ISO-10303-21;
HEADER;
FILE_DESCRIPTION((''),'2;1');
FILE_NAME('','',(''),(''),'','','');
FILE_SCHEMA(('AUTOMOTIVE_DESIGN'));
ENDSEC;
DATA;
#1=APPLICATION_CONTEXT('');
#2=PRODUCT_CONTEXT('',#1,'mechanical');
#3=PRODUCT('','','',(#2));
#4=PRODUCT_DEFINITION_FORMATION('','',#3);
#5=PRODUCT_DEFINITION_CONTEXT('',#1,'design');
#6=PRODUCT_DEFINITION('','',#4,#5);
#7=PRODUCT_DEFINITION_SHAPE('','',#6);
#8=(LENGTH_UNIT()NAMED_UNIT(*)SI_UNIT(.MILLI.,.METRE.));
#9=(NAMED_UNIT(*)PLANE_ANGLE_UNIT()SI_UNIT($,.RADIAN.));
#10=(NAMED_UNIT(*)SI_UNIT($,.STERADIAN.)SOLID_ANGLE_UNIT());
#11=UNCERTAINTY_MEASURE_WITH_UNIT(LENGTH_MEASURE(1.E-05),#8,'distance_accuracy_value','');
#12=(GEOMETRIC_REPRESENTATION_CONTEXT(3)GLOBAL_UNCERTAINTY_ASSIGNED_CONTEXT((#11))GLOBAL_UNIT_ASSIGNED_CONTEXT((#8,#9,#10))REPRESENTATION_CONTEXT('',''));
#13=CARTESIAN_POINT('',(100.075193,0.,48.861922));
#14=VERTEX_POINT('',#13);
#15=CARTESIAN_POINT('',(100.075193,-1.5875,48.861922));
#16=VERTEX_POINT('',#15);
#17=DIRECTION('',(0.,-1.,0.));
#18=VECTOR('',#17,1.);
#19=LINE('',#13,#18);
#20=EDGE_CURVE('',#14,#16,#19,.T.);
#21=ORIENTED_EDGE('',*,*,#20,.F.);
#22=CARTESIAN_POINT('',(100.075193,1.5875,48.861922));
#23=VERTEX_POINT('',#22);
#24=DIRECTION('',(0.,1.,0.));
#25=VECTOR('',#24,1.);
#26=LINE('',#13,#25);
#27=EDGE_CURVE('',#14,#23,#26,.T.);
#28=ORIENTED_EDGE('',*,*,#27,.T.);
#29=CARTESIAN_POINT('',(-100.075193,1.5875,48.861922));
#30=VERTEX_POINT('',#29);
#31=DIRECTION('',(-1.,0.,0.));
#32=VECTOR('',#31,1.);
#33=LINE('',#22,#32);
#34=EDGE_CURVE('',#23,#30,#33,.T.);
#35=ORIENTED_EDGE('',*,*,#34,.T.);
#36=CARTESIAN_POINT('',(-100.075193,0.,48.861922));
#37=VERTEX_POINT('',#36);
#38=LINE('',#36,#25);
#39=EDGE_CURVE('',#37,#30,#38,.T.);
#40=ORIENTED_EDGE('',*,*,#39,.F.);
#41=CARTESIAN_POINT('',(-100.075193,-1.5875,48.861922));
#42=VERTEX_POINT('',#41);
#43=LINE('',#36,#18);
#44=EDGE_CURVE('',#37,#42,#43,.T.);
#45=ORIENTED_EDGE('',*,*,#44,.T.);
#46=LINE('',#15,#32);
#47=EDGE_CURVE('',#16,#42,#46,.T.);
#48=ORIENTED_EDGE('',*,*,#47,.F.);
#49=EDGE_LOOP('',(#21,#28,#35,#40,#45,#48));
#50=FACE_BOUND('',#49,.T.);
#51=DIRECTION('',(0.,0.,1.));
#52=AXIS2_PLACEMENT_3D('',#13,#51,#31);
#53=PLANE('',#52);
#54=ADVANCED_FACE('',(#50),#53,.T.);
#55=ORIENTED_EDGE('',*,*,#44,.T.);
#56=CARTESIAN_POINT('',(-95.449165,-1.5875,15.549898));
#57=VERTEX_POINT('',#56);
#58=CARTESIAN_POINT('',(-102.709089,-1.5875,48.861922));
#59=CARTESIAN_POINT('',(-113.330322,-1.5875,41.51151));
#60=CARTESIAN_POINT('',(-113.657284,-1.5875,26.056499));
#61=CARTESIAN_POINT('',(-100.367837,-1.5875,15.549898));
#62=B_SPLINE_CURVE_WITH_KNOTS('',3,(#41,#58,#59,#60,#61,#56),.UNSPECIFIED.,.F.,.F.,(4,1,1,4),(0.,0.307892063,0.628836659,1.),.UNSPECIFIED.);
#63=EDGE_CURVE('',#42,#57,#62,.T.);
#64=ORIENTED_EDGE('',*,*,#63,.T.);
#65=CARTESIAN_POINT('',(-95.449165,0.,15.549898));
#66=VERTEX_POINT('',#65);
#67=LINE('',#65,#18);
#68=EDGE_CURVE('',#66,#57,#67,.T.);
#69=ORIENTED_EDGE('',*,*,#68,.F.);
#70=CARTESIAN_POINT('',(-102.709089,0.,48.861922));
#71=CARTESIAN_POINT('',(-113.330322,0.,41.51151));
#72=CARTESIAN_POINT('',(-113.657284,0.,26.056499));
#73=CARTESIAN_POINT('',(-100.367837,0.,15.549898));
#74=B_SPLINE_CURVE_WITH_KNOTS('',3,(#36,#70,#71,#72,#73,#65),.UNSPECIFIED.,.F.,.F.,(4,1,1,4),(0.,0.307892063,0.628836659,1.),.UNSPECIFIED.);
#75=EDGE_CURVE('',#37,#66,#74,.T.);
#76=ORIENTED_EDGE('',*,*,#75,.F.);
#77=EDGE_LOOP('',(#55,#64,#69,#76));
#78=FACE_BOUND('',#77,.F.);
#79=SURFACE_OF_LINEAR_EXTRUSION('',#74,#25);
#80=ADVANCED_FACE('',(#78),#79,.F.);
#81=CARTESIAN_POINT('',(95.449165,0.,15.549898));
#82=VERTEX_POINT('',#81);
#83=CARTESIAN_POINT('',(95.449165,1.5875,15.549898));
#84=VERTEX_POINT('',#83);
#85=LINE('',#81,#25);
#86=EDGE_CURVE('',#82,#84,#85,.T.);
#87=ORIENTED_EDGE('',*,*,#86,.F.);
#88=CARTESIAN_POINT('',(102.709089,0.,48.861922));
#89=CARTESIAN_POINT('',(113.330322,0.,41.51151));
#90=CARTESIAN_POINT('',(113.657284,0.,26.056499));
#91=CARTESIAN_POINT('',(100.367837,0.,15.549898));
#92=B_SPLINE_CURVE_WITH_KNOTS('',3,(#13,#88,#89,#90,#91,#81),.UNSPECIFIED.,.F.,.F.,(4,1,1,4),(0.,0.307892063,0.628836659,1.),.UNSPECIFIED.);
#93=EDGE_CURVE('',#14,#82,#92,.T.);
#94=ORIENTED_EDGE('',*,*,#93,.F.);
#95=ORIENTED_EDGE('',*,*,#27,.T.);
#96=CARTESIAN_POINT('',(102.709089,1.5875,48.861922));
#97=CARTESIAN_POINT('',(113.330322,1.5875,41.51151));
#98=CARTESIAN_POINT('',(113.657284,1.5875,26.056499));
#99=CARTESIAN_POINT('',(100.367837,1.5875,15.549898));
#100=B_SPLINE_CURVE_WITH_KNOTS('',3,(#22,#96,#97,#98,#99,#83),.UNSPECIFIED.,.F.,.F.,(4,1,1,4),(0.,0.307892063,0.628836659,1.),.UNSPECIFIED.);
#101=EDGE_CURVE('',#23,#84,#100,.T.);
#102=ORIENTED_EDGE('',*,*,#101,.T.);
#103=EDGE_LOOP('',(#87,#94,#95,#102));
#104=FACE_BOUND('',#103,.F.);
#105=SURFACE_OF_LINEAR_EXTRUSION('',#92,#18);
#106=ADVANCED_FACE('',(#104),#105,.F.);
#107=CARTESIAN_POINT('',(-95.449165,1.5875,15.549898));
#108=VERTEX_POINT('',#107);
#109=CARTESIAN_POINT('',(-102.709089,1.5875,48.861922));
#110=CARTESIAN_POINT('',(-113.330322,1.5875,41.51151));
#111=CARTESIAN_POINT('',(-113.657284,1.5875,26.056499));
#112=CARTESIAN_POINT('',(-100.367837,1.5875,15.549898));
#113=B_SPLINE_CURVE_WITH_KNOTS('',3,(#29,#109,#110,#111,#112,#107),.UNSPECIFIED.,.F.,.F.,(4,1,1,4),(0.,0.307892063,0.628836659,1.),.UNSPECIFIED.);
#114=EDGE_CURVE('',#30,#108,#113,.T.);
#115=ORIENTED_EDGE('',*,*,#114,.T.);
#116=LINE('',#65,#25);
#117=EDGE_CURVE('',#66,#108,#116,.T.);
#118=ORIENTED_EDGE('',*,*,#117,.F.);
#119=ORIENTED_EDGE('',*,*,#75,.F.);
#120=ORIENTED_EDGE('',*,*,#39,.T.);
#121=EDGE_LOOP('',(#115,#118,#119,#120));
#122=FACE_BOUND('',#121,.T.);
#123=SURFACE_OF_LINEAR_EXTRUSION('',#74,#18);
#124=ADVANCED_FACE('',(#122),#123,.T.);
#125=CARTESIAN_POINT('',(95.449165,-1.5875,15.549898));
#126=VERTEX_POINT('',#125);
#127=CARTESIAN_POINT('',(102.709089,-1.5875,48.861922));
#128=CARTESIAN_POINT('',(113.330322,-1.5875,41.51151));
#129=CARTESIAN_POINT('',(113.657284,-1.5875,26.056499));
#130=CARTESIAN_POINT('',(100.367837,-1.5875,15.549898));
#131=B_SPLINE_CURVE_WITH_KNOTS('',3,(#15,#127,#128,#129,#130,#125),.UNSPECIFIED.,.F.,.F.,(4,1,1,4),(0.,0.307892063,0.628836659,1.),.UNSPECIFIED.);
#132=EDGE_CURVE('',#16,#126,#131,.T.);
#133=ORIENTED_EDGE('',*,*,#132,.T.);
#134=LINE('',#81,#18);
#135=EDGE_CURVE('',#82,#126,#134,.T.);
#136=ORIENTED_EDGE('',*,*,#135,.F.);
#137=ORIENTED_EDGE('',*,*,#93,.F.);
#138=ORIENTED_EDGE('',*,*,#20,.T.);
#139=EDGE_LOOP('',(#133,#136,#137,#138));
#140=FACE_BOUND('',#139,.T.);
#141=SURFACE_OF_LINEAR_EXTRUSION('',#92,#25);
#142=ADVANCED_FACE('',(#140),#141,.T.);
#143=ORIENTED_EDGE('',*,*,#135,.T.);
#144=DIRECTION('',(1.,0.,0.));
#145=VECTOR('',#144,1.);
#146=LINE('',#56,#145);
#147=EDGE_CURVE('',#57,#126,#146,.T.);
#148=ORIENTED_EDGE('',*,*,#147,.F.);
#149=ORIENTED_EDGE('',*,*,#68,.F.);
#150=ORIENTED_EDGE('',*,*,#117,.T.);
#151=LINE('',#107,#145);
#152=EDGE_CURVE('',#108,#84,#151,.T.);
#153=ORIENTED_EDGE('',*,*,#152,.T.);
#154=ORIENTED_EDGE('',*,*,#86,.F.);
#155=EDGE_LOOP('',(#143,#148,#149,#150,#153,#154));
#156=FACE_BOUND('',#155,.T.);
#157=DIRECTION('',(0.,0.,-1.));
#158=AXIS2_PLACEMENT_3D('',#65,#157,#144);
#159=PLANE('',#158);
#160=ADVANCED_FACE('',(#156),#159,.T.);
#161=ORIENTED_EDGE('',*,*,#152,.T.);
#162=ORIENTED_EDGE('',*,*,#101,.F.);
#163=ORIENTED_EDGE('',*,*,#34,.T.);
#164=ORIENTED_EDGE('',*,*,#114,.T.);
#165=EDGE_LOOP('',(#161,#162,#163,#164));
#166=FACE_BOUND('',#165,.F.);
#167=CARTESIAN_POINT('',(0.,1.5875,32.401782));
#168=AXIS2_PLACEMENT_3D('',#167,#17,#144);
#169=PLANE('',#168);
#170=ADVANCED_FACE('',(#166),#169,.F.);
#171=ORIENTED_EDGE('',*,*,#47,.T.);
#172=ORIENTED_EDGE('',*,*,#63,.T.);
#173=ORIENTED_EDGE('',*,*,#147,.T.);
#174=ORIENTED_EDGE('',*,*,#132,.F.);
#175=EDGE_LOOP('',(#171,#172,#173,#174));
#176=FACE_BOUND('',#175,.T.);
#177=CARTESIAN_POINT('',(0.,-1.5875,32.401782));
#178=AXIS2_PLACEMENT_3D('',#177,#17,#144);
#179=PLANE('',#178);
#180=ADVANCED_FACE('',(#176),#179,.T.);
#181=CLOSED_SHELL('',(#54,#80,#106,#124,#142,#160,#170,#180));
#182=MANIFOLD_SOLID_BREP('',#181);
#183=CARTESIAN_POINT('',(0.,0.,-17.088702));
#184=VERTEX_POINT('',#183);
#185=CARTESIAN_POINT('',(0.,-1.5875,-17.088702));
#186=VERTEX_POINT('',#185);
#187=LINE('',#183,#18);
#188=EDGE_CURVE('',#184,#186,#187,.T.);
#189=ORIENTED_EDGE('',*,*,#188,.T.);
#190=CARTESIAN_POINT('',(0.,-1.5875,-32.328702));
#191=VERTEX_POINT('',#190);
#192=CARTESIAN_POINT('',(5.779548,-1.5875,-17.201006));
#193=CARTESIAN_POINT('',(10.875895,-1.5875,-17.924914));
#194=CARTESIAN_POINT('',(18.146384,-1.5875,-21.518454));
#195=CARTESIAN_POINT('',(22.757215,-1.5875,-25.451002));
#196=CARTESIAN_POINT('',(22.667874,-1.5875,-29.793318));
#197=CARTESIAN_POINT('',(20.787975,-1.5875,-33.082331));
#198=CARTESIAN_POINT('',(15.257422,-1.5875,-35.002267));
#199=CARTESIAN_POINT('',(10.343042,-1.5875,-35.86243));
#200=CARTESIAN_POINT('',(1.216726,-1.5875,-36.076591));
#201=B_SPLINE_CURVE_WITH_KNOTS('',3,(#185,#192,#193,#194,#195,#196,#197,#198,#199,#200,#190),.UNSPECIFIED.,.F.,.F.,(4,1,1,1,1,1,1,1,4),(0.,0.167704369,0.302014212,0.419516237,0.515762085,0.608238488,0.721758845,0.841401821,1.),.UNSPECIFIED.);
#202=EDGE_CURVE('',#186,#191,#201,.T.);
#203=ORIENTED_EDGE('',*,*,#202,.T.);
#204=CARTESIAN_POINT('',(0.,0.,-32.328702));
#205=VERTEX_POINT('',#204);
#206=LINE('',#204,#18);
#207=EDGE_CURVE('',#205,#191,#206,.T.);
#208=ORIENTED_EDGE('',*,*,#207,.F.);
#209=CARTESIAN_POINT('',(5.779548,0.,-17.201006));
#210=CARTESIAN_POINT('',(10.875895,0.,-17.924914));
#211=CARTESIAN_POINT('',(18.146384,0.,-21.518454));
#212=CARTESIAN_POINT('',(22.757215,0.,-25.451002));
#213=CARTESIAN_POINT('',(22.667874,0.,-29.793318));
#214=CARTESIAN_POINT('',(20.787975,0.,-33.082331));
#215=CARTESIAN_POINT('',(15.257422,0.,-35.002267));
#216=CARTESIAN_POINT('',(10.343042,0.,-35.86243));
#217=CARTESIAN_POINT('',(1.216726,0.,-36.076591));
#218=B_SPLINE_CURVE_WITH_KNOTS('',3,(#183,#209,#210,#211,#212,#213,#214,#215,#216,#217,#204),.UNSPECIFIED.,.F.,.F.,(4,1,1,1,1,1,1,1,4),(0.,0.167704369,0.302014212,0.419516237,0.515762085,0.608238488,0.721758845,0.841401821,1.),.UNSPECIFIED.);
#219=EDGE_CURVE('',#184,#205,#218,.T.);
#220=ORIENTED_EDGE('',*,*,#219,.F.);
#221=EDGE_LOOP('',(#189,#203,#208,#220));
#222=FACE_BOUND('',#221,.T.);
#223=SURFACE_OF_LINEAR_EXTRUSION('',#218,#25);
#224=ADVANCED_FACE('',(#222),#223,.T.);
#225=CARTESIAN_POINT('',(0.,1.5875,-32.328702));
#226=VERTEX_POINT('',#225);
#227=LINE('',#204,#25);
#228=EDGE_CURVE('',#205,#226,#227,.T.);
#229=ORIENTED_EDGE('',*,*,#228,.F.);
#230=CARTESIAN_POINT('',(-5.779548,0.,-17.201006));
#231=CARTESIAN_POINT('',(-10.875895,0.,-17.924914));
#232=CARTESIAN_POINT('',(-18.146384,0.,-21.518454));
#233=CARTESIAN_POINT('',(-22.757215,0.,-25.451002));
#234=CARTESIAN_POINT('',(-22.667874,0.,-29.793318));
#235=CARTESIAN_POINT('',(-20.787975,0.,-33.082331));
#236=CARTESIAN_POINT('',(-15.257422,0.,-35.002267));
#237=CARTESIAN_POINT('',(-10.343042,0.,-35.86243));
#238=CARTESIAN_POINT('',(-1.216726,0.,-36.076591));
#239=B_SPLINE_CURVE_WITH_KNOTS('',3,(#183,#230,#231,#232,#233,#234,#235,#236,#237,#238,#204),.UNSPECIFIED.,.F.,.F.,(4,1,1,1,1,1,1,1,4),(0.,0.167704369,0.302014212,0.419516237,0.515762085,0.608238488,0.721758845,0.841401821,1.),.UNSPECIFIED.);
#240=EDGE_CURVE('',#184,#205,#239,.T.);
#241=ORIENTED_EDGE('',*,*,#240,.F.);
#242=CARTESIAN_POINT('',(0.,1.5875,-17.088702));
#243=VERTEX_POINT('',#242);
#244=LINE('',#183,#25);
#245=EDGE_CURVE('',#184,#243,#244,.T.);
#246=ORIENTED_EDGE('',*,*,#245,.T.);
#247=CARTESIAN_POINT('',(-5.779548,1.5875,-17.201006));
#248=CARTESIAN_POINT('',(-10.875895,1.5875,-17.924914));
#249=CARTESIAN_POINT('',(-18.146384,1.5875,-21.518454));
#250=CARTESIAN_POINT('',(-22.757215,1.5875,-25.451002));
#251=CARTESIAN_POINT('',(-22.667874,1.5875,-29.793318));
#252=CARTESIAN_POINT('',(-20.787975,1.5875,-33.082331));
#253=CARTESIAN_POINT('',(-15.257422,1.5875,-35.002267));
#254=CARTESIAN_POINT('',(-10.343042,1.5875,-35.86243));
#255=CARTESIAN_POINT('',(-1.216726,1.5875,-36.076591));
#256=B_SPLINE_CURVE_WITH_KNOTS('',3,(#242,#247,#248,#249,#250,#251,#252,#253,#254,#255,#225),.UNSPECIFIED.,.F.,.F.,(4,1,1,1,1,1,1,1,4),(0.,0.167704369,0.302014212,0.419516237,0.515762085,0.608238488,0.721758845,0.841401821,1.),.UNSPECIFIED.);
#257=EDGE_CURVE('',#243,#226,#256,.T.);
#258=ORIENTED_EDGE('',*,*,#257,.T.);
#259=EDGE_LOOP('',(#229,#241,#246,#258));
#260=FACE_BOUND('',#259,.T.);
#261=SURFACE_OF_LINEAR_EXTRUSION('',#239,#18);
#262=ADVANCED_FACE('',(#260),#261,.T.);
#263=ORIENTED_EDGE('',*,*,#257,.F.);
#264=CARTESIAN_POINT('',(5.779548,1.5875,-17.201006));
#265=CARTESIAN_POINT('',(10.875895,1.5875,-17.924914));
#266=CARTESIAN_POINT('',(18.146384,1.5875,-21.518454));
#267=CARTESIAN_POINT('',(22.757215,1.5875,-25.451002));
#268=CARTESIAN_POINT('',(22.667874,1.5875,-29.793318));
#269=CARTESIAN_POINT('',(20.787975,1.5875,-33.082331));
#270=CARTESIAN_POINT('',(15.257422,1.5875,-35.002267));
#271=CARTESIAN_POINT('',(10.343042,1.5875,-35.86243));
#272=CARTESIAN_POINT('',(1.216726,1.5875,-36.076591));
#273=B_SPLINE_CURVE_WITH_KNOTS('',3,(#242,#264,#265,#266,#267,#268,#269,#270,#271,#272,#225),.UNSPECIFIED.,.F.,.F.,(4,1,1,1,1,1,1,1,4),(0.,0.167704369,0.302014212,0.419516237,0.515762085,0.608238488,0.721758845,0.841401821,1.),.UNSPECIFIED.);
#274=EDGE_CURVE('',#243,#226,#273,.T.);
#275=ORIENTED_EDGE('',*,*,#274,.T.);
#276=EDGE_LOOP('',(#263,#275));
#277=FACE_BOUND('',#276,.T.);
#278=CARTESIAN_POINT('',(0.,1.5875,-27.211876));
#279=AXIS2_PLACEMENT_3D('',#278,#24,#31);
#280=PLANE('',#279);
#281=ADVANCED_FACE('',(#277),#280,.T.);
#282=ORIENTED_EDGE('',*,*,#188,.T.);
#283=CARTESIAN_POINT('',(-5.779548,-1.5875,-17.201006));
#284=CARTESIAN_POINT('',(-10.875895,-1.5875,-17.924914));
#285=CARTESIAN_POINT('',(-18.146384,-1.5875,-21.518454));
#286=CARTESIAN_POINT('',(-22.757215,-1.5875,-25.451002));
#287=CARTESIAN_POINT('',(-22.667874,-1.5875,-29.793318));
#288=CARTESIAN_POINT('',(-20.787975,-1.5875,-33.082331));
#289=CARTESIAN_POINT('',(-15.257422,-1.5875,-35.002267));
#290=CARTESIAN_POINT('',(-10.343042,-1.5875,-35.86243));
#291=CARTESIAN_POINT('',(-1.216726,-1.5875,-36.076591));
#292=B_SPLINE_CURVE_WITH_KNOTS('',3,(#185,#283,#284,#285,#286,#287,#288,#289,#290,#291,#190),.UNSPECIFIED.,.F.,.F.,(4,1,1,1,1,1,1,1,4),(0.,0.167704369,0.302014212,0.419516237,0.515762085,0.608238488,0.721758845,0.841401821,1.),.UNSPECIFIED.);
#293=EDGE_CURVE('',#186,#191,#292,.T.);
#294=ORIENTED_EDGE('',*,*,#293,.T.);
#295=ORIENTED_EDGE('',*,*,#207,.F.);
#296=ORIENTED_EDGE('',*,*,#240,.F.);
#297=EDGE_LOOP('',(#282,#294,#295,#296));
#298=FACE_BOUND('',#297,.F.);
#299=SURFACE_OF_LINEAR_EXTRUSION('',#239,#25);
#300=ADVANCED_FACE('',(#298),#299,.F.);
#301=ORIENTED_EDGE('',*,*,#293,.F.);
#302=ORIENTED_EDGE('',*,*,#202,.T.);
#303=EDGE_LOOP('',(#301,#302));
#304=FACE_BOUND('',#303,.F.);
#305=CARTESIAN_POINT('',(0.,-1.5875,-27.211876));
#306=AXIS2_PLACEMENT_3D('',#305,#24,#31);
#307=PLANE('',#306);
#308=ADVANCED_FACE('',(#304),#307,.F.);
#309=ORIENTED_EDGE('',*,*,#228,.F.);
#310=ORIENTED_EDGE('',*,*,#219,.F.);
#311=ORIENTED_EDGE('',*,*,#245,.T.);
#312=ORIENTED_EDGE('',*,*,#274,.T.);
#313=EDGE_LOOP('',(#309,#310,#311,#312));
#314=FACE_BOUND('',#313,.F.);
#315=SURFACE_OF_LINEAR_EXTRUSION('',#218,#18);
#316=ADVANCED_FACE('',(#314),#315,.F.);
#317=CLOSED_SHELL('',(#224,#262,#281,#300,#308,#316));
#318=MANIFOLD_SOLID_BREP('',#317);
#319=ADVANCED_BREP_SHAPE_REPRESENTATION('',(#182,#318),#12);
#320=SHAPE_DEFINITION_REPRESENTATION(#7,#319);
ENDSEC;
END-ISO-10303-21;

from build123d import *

# Parameters (mm, degrees)
F1_DEPTH = 1.5875


with BuildPart() as f1:
    # F0 (on Front) → F1 (new body, symmetric)
    with BuildSketch(Plane.XZ):
        with BuildLine():
            Line((-95.4491645098, 15.5498979571), (0, 15.5498979571))
            Line((0, 15.5498979571), (95.4491645098, 15.5498979571))
            add(Edge.make_bspline(
                [(100.0751927495, 48.8619215745), (102.7090887615, 48.8619215745), (113.3303219, 41.51151007), (113.6572843251, 26.0564992665), (100.3678366542, 15.5498979571), (95.4491645098, 15.5498979571)],
                knots=[0, 0, 0, 0, 0.3078920629, 0.628836659, 1, 1, 1, 1], degree=3))
            Line((100.0751927495, 48.8619215745), (0, 48.8619215745))
            Line((0, 48.8619215745), (-100.0751927495, 48.8619215745))
            add(Edge.make_bspline(
                [(-100.0751927495, 48.8619215745), (-102.7090887615, 48.8619215745), (-113.3303219, 41.51151007), (-113.6572843251, 26.0564992665), (-100.3678366542, 15.5498979571), (-95.4491645098, 15.5498979571)],
                knots=[0, 0, 0, 0, 0.3078920629, 0.628836659, 1, 1, 1, 1], degree=3))
        make_face()
    extrude(amount=F1_DEPTH, both=True)


with BuildPart() as f1b:
    # F0 (on Front) → F1, piece 2 (new body, symmetric)
    with BuildSketch(Plane.XZ):
        with BuildLine():
            add(Edge.make_bspline(
                [(0, -17.0887019485), (5.7795476168, -17.2010064125), (10.8758950079, -17.9249138286), (18.1463837268, -21.5184543585), (22.7572152407, -25.4510018388), (22.6678741497, -29.7933182332), (20.7879752369, -33.0823305942), (15.2574218762, -35.0022667544), (10.3430421268, -35.8624297698), (1.2167258005, -36.0765912032), (0, -32.3287019485)],
                knots=[0, 0, 0, 0, 0.1677043693, 0.302014212, 0.4195162375, 0.5157620853, 0.6082384885, 0.7217588447, 0.8414018211, 1, 1, 1, 1], degree=3))
            add(Edge.make_bspline(
                [(0, -17.0887019485), (-5.7795476168, -17.2010064125), (-10.8758950079, -17.9249138286), (-18.1463837268, -21.5184543585), (-22.7572152407, -25.4510018388), (-22.6678741497, -29.7933182332), (-20.7879752369, -33.0823305942), (-15.2574218762, -35.0022667544), (-10.3430421268, -35.8624297698), (-1.2167258005, -36.0765912032), (0, -32.3287019485)],
                knots=[0, 0, 0, 0, 0.1677043693, 0.302014212, 0.4195162375, 0.5157620853, 0.6082384885, 0.7217588447, 0.8414018211, 1, 1, 1, 1], degree=3))
        make_face()
    extrude(amount=F1_DEPTH, both=True)


solid = Compound([f1.part, f1b.part])
